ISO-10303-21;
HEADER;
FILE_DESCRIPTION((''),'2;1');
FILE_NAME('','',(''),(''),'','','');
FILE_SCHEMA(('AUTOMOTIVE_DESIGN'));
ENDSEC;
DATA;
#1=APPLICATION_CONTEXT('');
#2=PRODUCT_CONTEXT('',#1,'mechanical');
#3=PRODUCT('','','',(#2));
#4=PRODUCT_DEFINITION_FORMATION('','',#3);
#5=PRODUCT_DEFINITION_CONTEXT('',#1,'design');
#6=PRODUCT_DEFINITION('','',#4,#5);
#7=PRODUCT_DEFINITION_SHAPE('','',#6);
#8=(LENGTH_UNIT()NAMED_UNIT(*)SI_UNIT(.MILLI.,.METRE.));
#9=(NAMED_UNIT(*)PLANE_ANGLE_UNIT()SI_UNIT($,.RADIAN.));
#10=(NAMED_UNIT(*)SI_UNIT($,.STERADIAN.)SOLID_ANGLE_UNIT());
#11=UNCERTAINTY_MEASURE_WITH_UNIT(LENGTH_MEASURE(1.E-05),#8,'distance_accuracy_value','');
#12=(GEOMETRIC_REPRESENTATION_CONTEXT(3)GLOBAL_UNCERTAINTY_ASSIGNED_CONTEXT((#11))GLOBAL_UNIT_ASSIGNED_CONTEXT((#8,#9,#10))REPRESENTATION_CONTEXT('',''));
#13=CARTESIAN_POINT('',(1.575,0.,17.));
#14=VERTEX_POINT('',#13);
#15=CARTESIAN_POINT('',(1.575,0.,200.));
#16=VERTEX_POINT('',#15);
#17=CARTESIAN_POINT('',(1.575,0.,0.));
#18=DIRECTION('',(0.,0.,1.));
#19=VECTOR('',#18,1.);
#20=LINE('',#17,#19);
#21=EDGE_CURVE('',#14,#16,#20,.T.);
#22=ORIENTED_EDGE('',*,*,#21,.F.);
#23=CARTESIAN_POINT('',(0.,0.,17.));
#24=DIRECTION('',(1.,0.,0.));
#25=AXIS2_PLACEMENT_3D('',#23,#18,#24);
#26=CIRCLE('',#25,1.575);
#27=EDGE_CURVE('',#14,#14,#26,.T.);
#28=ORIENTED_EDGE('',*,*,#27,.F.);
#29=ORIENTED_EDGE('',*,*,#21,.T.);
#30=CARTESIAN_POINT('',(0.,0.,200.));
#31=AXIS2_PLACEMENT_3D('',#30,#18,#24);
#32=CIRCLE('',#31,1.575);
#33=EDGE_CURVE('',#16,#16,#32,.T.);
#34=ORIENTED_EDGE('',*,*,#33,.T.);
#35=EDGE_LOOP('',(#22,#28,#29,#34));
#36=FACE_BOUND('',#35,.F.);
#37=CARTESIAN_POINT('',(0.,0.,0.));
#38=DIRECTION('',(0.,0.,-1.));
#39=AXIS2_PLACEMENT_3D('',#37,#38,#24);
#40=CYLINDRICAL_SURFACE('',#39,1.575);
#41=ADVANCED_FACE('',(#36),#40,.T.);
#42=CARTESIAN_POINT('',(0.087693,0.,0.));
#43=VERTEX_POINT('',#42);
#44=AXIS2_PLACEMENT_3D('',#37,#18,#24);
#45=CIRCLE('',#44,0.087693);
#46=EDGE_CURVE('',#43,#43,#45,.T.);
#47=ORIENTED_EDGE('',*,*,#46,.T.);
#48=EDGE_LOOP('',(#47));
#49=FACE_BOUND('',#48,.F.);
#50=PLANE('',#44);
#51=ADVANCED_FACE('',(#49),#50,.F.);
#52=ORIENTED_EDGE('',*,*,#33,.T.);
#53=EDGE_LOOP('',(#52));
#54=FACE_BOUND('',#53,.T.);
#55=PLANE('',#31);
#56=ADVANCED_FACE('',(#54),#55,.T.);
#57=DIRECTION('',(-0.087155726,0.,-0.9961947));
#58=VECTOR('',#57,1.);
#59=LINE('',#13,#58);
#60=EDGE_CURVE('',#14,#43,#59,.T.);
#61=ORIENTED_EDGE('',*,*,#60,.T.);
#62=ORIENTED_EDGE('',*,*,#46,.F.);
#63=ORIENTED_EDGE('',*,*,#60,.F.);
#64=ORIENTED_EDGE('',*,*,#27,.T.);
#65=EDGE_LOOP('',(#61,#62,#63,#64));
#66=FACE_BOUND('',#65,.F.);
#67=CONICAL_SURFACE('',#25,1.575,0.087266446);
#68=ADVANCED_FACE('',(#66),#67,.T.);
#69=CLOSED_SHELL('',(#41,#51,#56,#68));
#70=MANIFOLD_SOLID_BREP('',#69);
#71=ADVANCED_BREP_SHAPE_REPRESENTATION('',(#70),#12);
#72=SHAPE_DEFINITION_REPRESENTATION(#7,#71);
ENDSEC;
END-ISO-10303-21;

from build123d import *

# Parameters (mm, degrees)
F0_R     = 1.575
F1_DEPTH = 200
F2_SIZE2 = 1.487307
F2_SIZE  = 17


with BuildPart() as f1:
    # F0 (on Top) → F1 (new body)
    with BuildSketch(Plane.XY):
        Circle(F0_R)
    extrude(amount=F1_DEPTH)

    # F2
    f2_edges = [f1.edges().sort_by_distance(p)[0] for p in [
        (-1.575, 0, 0),
    ]]
    chamfer(f2_edges, length=F2_SIZE, length2=F2_SIZE2)


solid = f1.part
